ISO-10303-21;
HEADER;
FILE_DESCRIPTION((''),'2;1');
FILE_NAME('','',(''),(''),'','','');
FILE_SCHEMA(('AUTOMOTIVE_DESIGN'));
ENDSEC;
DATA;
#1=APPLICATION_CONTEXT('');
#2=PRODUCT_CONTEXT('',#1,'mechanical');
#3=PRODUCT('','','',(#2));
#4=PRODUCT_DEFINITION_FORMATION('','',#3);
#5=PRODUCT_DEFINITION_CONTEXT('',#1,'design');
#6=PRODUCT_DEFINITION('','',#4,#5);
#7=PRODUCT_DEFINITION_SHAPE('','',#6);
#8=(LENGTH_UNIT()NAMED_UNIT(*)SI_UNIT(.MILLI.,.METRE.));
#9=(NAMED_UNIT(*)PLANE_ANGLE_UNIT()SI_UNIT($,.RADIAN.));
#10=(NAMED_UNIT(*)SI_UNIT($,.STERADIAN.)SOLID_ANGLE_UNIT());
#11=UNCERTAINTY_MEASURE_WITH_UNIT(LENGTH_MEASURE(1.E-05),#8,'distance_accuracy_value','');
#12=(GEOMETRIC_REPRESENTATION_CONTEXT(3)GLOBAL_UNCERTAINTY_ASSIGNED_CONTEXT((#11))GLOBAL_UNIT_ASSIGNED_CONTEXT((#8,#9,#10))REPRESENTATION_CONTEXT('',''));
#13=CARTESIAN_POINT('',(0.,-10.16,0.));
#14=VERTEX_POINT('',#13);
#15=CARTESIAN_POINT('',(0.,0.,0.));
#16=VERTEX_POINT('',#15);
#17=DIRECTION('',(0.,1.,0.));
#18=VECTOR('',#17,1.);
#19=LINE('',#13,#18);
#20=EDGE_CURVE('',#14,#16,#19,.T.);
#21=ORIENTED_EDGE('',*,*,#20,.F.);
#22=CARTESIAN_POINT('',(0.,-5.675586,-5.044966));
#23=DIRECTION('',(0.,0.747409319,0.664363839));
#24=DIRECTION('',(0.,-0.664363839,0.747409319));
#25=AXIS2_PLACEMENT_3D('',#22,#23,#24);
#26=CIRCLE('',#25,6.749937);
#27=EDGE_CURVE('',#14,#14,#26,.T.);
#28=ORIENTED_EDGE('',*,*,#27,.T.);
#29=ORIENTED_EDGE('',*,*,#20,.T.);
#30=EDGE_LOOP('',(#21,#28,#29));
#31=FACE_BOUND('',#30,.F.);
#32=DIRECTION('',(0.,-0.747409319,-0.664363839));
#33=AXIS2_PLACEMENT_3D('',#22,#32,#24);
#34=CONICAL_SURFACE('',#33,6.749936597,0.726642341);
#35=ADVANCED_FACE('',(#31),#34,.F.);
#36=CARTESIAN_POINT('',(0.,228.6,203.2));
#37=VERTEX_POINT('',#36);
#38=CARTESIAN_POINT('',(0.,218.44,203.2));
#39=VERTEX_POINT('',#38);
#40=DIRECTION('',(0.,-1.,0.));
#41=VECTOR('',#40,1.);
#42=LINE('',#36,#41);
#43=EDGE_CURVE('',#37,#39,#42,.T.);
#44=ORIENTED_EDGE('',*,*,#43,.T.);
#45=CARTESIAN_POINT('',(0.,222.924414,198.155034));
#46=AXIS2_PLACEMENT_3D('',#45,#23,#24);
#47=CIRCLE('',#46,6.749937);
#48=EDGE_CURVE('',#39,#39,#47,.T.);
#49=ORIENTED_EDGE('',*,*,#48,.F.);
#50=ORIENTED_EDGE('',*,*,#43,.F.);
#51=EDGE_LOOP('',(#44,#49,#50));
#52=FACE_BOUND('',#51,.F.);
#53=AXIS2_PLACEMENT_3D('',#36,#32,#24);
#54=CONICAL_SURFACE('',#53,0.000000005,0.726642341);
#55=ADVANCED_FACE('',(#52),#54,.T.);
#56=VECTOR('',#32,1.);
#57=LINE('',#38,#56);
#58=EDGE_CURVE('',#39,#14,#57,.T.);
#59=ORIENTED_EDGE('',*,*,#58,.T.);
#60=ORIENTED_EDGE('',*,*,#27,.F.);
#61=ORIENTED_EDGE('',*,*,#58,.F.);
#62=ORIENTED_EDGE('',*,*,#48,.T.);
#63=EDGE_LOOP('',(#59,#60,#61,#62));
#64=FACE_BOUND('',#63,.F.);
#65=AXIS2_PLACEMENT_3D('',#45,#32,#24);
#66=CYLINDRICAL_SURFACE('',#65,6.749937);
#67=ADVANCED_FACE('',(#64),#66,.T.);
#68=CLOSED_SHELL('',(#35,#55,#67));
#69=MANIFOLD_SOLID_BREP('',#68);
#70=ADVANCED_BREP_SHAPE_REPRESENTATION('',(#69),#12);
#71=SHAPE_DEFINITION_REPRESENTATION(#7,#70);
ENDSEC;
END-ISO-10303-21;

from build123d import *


with BuildPart() as f1:
    # F0 (on Right) → F1 (revolve)
    with BuildSketch(Plane.YZ):
        Polygon((-10.16, 0), (0, 0), (228.6, 203.2), (218.44, 203.2), align=None)
    revolve(axis=Axis((0, 114.3, 101.6), (0, 0.7474093187, 0.6643638388)))


solid = f1.part
